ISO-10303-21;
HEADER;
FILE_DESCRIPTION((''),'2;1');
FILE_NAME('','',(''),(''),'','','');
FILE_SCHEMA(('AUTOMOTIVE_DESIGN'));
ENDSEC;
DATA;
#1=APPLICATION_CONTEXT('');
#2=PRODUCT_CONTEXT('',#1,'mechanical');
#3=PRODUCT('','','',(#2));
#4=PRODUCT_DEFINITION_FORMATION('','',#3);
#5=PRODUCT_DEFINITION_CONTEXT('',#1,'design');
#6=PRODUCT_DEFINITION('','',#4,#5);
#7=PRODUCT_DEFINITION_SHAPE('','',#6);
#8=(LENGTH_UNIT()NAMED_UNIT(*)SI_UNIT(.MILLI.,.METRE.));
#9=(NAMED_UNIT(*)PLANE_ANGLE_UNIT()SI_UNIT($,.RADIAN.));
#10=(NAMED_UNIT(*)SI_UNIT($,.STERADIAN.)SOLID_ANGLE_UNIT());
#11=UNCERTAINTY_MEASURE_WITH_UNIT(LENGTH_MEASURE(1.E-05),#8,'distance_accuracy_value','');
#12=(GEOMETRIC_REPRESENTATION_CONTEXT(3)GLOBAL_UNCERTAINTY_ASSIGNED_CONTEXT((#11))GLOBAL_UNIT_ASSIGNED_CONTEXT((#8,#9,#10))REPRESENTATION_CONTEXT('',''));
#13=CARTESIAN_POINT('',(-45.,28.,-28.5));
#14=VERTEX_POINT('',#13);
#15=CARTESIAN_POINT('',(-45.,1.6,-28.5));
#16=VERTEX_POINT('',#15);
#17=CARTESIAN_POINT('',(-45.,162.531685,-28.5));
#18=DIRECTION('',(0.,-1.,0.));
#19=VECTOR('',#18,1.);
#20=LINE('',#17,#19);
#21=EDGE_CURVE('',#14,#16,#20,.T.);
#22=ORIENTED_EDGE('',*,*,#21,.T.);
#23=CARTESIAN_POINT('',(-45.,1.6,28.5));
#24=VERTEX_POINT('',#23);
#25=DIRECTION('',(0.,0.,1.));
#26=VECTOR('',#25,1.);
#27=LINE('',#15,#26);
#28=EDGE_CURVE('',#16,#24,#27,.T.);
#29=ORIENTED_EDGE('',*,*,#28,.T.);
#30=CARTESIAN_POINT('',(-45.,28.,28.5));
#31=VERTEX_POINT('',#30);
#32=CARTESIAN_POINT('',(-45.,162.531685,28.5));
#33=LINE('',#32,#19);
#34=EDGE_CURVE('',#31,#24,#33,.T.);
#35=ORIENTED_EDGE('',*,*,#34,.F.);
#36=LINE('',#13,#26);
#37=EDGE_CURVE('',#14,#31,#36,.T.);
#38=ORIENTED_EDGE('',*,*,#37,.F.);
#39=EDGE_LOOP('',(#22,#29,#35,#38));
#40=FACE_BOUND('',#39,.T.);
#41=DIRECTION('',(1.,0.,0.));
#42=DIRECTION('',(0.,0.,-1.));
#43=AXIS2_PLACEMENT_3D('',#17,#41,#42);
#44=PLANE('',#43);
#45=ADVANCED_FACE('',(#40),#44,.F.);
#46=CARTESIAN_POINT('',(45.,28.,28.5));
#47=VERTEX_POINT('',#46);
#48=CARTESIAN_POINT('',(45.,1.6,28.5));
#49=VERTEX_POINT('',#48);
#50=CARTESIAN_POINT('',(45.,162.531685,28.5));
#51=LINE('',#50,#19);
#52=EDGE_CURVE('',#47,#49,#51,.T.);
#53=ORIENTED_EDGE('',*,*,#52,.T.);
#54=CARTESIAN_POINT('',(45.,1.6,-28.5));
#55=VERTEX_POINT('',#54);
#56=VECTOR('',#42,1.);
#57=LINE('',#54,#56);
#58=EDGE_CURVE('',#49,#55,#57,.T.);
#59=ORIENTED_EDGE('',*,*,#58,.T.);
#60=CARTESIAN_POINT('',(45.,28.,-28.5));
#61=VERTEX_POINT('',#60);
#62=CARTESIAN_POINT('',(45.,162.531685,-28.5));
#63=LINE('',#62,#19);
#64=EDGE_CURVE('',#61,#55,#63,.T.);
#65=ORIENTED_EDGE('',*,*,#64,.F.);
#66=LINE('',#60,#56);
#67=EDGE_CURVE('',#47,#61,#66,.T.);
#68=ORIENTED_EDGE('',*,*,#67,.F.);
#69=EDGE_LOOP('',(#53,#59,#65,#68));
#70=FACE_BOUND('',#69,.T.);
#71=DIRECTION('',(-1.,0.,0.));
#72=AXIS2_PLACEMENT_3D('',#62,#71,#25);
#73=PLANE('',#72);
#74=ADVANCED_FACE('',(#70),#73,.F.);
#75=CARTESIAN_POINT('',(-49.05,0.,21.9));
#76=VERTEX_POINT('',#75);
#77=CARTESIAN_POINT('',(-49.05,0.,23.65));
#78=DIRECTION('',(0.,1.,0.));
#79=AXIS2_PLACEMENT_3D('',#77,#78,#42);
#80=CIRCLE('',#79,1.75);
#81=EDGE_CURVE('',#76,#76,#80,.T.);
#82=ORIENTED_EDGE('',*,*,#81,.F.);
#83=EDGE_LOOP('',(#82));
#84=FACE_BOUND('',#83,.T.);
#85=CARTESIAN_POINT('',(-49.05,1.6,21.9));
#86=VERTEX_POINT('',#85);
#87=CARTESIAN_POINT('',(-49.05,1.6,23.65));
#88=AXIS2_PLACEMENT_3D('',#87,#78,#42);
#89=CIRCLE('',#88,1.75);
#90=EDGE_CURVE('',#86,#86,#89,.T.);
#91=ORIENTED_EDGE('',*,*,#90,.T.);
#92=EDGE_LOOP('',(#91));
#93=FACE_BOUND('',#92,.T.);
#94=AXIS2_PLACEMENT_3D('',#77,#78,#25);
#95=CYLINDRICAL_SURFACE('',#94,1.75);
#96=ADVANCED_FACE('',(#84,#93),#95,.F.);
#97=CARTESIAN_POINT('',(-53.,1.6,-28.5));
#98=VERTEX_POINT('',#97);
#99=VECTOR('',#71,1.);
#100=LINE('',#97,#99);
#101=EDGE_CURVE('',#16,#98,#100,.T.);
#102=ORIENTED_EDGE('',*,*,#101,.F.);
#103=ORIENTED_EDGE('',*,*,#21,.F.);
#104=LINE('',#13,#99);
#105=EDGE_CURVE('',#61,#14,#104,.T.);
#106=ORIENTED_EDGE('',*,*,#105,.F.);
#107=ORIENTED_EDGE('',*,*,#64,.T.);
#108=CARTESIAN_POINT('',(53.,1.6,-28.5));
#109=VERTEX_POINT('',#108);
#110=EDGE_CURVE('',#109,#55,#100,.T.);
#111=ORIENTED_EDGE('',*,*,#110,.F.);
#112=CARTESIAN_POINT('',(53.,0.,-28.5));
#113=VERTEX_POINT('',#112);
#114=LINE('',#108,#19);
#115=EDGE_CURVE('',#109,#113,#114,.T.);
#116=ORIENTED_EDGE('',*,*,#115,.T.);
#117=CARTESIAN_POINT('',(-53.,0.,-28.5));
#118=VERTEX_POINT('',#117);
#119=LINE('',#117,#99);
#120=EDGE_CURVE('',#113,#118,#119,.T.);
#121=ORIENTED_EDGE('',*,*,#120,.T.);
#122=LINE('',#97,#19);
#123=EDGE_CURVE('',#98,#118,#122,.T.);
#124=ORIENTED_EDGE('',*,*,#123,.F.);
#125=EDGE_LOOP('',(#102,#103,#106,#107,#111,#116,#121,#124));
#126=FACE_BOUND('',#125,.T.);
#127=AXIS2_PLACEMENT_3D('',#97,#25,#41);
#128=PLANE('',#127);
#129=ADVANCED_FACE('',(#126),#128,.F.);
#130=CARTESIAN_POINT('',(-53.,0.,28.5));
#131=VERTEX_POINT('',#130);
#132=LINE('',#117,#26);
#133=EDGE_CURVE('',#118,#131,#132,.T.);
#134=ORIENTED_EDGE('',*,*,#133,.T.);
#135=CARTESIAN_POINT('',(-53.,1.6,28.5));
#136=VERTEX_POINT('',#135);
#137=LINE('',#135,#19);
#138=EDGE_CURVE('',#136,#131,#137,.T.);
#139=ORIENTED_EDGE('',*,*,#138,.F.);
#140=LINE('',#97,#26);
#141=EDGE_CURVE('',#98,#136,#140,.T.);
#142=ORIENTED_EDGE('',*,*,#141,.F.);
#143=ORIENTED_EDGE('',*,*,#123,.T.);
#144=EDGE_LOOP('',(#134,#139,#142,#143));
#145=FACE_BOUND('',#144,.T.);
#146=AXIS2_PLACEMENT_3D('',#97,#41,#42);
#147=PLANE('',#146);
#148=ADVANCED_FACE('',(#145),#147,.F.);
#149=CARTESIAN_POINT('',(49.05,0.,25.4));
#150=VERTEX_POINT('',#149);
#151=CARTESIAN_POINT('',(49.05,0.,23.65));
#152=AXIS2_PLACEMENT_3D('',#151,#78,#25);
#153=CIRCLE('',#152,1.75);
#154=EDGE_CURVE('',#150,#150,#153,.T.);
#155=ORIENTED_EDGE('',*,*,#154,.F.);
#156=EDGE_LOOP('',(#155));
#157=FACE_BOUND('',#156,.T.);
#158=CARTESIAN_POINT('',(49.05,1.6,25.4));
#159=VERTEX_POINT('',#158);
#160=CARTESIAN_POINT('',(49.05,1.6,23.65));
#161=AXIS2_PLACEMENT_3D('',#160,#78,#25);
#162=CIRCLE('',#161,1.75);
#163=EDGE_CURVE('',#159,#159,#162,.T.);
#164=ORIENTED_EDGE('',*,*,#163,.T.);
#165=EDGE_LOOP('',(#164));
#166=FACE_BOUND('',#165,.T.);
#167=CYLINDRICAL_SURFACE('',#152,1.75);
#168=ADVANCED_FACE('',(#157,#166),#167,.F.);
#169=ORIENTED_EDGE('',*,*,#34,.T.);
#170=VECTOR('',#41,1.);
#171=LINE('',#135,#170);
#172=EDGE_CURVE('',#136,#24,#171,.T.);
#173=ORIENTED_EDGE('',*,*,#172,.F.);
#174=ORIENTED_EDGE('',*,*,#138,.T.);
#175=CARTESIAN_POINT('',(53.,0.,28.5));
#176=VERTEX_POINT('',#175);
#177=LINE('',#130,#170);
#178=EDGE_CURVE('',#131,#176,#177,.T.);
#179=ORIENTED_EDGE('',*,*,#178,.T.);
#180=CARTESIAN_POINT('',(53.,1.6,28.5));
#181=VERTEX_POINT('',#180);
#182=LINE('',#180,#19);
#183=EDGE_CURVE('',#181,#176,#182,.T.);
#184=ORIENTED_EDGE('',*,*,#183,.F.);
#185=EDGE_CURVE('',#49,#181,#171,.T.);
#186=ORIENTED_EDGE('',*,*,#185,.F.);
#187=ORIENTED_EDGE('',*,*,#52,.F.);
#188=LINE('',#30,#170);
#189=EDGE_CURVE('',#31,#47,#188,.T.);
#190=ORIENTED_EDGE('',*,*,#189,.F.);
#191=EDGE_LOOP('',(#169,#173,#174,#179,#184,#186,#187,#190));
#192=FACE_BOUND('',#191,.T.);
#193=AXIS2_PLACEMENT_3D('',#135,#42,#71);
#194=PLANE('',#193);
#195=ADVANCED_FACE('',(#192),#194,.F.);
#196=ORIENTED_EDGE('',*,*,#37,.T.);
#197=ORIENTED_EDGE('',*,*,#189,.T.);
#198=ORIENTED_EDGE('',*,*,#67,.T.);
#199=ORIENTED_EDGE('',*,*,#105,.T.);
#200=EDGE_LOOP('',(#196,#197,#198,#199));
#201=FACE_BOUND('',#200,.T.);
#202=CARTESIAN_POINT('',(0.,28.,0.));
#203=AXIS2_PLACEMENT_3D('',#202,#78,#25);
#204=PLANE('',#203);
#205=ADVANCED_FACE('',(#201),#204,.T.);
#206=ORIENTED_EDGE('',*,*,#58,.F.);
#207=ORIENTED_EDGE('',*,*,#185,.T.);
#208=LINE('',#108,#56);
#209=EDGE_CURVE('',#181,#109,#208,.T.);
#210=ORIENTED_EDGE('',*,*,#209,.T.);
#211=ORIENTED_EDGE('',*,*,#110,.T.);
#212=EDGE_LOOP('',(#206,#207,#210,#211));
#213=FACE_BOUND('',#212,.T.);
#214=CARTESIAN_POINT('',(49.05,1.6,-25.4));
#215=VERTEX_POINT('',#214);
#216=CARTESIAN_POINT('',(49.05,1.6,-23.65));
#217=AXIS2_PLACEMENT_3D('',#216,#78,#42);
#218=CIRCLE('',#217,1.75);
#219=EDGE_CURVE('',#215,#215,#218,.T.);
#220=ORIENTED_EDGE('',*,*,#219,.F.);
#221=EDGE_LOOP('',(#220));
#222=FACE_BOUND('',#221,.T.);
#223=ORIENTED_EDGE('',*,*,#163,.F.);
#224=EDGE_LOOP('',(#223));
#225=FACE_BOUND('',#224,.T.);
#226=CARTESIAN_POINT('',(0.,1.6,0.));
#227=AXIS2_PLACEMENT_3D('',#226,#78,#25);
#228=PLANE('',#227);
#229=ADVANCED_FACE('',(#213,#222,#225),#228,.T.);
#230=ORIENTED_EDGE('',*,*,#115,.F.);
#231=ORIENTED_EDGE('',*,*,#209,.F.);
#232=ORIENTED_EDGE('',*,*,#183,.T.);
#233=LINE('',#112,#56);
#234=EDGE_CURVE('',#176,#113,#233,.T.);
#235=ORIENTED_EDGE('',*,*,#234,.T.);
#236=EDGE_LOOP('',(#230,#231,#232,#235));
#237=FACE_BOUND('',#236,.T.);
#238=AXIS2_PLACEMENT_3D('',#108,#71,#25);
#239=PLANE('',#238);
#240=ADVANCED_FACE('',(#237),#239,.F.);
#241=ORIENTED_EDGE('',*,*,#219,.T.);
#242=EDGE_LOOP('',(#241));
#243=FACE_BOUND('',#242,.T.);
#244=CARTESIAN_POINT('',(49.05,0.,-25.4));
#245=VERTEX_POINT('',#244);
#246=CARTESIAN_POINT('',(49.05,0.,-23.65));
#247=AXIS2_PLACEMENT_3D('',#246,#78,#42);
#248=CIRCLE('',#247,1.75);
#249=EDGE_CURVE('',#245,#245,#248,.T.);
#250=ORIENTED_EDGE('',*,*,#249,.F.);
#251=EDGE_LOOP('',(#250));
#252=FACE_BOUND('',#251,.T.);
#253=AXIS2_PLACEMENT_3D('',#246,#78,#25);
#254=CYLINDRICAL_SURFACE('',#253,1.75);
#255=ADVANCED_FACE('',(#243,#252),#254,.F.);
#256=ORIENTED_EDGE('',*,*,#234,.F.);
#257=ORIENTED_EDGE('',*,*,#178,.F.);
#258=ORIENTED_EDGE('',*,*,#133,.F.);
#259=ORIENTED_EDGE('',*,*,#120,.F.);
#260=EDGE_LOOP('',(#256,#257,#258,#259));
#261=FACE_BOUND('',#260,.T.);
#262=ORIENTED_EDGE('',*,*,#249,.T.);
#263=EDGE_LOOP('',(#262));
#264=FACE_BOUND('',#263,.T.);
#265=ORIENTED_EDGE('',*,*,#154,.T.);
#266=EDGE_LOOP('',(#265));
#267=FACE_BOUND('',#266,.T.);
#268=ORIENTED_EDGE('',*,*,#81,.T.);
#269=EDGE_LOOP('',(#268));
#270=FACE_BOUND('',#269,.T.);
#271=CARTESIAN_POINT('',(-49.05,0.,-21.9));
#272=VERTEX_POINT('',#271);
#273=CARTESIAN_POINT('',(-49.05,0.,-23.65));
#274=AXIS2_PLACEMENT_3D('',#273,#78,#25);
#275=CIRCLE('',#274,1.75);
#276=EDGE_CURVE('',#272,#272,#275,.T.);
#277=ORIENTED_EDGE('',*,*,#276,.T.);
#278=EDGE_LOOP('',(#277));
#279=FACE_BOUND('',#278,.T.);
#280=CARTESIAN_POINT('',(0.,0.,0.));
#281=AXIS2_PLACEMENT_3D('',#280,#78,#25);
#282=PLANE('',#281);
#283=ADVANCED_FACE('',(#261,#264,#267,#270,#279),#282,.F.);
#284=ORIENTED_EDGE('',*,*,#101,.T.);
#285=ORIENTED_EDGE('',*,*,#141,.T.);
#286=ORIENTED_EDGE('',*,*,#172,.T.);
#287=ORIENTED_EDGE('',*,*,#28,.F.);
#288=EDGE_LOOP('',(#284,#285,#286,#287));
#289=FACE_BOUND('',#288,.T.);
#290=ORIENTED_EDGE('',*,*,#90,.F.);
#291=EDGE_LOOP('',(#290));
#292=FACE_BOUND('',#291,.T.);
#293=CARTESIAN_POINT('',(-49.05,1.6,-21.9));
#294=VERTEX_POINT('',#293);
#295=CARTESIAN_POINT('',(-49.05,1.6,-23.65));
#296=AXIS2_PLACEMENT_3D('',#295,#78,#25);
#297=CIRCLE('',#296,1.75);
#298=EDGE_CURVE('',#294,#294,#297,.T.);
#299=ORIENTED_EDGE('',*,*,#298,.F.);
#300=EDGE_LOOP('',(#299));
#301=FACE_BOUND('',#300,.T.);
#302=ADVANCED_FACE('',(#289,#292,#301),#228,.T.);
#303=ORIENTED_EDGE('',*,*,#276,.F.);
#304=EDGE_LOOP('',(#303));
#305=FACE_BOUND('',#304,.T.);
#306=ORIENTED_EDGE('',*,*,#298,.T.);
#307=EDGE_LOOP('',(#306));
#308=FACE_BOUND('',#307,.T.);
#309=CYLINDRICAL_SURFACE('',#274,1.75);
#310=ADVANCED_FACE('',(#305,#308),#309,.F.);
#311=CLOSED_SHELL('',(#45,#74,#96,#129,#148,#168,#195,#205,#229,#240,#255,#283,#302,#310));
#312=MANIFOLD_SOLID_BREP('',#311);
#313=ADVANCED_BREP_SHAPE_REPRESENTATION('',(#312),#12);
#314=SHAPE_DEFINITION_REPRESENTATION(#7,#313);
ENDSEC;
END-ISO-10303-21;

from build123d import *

# Parameters (mm, degrees)
SKETCH_1_W          = 106
SKETCH_1_H          = 57
EXTRUDE_1_DEPTH     = 1.6
SKETCH_2_R          = 1.75
CUT_EXTRUDE_1_DEPTH = 1.6
SKETCH_3_W          = 90
SKETCH_3_H          = 57
EXTRUDE_2_DEPTH     = 26.4


with BuildPart() as part:
    # 草图1 → 凸台-拉伸1 (new body)
    with BuildSketch(Plane(origin=(0, 0, 0), x_dir=(1, 0, 0), z_dir=(0, 1, 0))):
        Rectangle(SKETCH_1_W, SKETCH_1_H)
    extrude(amount=EXTRUDE_1_DEPTH)

    # 草图2 → 切除-拉伸1 (cut)
    with BuildSketch(Plane(origin=(0, 1.6, 0), x_dir=(1, 0, 0), z_dir=(0, 1, 0))):
        with Locations(Location((-49.05, 23.65, 0), (0, 0, 270))):
            Circle(SKETCH_2_R)
        with Locations(Location((-49.05, -23.65, 0), (0, 0, 90))):
            Circle(SKETCH_2_R)
        with Locations(Location((49.05, -23.65, 0), (0, 0, 270))):
            Circle(SKETCH_2_R)
        with Locations(Location((49.05, 23.65, 0), (0, 0, 90))):
            Circle(SKETCH_2_R)
    extrude(amount=-CUT_EXTRUDE_1_DEPTH, mode=Mode.SUBTRACT)

    # 草图3 → 凸台-拉伸2 (add)
    with BuildSketch(Plane(origin=(0, 1.6, 0), x_dir=(1, 0, 0), z_dir=(0, 1, 0))):
        Rectangle(SKETCH_3_W, SKETCH_3_H)
    extrude(amount=EXTRUDE_2_DEPTH)


solid = part.part
